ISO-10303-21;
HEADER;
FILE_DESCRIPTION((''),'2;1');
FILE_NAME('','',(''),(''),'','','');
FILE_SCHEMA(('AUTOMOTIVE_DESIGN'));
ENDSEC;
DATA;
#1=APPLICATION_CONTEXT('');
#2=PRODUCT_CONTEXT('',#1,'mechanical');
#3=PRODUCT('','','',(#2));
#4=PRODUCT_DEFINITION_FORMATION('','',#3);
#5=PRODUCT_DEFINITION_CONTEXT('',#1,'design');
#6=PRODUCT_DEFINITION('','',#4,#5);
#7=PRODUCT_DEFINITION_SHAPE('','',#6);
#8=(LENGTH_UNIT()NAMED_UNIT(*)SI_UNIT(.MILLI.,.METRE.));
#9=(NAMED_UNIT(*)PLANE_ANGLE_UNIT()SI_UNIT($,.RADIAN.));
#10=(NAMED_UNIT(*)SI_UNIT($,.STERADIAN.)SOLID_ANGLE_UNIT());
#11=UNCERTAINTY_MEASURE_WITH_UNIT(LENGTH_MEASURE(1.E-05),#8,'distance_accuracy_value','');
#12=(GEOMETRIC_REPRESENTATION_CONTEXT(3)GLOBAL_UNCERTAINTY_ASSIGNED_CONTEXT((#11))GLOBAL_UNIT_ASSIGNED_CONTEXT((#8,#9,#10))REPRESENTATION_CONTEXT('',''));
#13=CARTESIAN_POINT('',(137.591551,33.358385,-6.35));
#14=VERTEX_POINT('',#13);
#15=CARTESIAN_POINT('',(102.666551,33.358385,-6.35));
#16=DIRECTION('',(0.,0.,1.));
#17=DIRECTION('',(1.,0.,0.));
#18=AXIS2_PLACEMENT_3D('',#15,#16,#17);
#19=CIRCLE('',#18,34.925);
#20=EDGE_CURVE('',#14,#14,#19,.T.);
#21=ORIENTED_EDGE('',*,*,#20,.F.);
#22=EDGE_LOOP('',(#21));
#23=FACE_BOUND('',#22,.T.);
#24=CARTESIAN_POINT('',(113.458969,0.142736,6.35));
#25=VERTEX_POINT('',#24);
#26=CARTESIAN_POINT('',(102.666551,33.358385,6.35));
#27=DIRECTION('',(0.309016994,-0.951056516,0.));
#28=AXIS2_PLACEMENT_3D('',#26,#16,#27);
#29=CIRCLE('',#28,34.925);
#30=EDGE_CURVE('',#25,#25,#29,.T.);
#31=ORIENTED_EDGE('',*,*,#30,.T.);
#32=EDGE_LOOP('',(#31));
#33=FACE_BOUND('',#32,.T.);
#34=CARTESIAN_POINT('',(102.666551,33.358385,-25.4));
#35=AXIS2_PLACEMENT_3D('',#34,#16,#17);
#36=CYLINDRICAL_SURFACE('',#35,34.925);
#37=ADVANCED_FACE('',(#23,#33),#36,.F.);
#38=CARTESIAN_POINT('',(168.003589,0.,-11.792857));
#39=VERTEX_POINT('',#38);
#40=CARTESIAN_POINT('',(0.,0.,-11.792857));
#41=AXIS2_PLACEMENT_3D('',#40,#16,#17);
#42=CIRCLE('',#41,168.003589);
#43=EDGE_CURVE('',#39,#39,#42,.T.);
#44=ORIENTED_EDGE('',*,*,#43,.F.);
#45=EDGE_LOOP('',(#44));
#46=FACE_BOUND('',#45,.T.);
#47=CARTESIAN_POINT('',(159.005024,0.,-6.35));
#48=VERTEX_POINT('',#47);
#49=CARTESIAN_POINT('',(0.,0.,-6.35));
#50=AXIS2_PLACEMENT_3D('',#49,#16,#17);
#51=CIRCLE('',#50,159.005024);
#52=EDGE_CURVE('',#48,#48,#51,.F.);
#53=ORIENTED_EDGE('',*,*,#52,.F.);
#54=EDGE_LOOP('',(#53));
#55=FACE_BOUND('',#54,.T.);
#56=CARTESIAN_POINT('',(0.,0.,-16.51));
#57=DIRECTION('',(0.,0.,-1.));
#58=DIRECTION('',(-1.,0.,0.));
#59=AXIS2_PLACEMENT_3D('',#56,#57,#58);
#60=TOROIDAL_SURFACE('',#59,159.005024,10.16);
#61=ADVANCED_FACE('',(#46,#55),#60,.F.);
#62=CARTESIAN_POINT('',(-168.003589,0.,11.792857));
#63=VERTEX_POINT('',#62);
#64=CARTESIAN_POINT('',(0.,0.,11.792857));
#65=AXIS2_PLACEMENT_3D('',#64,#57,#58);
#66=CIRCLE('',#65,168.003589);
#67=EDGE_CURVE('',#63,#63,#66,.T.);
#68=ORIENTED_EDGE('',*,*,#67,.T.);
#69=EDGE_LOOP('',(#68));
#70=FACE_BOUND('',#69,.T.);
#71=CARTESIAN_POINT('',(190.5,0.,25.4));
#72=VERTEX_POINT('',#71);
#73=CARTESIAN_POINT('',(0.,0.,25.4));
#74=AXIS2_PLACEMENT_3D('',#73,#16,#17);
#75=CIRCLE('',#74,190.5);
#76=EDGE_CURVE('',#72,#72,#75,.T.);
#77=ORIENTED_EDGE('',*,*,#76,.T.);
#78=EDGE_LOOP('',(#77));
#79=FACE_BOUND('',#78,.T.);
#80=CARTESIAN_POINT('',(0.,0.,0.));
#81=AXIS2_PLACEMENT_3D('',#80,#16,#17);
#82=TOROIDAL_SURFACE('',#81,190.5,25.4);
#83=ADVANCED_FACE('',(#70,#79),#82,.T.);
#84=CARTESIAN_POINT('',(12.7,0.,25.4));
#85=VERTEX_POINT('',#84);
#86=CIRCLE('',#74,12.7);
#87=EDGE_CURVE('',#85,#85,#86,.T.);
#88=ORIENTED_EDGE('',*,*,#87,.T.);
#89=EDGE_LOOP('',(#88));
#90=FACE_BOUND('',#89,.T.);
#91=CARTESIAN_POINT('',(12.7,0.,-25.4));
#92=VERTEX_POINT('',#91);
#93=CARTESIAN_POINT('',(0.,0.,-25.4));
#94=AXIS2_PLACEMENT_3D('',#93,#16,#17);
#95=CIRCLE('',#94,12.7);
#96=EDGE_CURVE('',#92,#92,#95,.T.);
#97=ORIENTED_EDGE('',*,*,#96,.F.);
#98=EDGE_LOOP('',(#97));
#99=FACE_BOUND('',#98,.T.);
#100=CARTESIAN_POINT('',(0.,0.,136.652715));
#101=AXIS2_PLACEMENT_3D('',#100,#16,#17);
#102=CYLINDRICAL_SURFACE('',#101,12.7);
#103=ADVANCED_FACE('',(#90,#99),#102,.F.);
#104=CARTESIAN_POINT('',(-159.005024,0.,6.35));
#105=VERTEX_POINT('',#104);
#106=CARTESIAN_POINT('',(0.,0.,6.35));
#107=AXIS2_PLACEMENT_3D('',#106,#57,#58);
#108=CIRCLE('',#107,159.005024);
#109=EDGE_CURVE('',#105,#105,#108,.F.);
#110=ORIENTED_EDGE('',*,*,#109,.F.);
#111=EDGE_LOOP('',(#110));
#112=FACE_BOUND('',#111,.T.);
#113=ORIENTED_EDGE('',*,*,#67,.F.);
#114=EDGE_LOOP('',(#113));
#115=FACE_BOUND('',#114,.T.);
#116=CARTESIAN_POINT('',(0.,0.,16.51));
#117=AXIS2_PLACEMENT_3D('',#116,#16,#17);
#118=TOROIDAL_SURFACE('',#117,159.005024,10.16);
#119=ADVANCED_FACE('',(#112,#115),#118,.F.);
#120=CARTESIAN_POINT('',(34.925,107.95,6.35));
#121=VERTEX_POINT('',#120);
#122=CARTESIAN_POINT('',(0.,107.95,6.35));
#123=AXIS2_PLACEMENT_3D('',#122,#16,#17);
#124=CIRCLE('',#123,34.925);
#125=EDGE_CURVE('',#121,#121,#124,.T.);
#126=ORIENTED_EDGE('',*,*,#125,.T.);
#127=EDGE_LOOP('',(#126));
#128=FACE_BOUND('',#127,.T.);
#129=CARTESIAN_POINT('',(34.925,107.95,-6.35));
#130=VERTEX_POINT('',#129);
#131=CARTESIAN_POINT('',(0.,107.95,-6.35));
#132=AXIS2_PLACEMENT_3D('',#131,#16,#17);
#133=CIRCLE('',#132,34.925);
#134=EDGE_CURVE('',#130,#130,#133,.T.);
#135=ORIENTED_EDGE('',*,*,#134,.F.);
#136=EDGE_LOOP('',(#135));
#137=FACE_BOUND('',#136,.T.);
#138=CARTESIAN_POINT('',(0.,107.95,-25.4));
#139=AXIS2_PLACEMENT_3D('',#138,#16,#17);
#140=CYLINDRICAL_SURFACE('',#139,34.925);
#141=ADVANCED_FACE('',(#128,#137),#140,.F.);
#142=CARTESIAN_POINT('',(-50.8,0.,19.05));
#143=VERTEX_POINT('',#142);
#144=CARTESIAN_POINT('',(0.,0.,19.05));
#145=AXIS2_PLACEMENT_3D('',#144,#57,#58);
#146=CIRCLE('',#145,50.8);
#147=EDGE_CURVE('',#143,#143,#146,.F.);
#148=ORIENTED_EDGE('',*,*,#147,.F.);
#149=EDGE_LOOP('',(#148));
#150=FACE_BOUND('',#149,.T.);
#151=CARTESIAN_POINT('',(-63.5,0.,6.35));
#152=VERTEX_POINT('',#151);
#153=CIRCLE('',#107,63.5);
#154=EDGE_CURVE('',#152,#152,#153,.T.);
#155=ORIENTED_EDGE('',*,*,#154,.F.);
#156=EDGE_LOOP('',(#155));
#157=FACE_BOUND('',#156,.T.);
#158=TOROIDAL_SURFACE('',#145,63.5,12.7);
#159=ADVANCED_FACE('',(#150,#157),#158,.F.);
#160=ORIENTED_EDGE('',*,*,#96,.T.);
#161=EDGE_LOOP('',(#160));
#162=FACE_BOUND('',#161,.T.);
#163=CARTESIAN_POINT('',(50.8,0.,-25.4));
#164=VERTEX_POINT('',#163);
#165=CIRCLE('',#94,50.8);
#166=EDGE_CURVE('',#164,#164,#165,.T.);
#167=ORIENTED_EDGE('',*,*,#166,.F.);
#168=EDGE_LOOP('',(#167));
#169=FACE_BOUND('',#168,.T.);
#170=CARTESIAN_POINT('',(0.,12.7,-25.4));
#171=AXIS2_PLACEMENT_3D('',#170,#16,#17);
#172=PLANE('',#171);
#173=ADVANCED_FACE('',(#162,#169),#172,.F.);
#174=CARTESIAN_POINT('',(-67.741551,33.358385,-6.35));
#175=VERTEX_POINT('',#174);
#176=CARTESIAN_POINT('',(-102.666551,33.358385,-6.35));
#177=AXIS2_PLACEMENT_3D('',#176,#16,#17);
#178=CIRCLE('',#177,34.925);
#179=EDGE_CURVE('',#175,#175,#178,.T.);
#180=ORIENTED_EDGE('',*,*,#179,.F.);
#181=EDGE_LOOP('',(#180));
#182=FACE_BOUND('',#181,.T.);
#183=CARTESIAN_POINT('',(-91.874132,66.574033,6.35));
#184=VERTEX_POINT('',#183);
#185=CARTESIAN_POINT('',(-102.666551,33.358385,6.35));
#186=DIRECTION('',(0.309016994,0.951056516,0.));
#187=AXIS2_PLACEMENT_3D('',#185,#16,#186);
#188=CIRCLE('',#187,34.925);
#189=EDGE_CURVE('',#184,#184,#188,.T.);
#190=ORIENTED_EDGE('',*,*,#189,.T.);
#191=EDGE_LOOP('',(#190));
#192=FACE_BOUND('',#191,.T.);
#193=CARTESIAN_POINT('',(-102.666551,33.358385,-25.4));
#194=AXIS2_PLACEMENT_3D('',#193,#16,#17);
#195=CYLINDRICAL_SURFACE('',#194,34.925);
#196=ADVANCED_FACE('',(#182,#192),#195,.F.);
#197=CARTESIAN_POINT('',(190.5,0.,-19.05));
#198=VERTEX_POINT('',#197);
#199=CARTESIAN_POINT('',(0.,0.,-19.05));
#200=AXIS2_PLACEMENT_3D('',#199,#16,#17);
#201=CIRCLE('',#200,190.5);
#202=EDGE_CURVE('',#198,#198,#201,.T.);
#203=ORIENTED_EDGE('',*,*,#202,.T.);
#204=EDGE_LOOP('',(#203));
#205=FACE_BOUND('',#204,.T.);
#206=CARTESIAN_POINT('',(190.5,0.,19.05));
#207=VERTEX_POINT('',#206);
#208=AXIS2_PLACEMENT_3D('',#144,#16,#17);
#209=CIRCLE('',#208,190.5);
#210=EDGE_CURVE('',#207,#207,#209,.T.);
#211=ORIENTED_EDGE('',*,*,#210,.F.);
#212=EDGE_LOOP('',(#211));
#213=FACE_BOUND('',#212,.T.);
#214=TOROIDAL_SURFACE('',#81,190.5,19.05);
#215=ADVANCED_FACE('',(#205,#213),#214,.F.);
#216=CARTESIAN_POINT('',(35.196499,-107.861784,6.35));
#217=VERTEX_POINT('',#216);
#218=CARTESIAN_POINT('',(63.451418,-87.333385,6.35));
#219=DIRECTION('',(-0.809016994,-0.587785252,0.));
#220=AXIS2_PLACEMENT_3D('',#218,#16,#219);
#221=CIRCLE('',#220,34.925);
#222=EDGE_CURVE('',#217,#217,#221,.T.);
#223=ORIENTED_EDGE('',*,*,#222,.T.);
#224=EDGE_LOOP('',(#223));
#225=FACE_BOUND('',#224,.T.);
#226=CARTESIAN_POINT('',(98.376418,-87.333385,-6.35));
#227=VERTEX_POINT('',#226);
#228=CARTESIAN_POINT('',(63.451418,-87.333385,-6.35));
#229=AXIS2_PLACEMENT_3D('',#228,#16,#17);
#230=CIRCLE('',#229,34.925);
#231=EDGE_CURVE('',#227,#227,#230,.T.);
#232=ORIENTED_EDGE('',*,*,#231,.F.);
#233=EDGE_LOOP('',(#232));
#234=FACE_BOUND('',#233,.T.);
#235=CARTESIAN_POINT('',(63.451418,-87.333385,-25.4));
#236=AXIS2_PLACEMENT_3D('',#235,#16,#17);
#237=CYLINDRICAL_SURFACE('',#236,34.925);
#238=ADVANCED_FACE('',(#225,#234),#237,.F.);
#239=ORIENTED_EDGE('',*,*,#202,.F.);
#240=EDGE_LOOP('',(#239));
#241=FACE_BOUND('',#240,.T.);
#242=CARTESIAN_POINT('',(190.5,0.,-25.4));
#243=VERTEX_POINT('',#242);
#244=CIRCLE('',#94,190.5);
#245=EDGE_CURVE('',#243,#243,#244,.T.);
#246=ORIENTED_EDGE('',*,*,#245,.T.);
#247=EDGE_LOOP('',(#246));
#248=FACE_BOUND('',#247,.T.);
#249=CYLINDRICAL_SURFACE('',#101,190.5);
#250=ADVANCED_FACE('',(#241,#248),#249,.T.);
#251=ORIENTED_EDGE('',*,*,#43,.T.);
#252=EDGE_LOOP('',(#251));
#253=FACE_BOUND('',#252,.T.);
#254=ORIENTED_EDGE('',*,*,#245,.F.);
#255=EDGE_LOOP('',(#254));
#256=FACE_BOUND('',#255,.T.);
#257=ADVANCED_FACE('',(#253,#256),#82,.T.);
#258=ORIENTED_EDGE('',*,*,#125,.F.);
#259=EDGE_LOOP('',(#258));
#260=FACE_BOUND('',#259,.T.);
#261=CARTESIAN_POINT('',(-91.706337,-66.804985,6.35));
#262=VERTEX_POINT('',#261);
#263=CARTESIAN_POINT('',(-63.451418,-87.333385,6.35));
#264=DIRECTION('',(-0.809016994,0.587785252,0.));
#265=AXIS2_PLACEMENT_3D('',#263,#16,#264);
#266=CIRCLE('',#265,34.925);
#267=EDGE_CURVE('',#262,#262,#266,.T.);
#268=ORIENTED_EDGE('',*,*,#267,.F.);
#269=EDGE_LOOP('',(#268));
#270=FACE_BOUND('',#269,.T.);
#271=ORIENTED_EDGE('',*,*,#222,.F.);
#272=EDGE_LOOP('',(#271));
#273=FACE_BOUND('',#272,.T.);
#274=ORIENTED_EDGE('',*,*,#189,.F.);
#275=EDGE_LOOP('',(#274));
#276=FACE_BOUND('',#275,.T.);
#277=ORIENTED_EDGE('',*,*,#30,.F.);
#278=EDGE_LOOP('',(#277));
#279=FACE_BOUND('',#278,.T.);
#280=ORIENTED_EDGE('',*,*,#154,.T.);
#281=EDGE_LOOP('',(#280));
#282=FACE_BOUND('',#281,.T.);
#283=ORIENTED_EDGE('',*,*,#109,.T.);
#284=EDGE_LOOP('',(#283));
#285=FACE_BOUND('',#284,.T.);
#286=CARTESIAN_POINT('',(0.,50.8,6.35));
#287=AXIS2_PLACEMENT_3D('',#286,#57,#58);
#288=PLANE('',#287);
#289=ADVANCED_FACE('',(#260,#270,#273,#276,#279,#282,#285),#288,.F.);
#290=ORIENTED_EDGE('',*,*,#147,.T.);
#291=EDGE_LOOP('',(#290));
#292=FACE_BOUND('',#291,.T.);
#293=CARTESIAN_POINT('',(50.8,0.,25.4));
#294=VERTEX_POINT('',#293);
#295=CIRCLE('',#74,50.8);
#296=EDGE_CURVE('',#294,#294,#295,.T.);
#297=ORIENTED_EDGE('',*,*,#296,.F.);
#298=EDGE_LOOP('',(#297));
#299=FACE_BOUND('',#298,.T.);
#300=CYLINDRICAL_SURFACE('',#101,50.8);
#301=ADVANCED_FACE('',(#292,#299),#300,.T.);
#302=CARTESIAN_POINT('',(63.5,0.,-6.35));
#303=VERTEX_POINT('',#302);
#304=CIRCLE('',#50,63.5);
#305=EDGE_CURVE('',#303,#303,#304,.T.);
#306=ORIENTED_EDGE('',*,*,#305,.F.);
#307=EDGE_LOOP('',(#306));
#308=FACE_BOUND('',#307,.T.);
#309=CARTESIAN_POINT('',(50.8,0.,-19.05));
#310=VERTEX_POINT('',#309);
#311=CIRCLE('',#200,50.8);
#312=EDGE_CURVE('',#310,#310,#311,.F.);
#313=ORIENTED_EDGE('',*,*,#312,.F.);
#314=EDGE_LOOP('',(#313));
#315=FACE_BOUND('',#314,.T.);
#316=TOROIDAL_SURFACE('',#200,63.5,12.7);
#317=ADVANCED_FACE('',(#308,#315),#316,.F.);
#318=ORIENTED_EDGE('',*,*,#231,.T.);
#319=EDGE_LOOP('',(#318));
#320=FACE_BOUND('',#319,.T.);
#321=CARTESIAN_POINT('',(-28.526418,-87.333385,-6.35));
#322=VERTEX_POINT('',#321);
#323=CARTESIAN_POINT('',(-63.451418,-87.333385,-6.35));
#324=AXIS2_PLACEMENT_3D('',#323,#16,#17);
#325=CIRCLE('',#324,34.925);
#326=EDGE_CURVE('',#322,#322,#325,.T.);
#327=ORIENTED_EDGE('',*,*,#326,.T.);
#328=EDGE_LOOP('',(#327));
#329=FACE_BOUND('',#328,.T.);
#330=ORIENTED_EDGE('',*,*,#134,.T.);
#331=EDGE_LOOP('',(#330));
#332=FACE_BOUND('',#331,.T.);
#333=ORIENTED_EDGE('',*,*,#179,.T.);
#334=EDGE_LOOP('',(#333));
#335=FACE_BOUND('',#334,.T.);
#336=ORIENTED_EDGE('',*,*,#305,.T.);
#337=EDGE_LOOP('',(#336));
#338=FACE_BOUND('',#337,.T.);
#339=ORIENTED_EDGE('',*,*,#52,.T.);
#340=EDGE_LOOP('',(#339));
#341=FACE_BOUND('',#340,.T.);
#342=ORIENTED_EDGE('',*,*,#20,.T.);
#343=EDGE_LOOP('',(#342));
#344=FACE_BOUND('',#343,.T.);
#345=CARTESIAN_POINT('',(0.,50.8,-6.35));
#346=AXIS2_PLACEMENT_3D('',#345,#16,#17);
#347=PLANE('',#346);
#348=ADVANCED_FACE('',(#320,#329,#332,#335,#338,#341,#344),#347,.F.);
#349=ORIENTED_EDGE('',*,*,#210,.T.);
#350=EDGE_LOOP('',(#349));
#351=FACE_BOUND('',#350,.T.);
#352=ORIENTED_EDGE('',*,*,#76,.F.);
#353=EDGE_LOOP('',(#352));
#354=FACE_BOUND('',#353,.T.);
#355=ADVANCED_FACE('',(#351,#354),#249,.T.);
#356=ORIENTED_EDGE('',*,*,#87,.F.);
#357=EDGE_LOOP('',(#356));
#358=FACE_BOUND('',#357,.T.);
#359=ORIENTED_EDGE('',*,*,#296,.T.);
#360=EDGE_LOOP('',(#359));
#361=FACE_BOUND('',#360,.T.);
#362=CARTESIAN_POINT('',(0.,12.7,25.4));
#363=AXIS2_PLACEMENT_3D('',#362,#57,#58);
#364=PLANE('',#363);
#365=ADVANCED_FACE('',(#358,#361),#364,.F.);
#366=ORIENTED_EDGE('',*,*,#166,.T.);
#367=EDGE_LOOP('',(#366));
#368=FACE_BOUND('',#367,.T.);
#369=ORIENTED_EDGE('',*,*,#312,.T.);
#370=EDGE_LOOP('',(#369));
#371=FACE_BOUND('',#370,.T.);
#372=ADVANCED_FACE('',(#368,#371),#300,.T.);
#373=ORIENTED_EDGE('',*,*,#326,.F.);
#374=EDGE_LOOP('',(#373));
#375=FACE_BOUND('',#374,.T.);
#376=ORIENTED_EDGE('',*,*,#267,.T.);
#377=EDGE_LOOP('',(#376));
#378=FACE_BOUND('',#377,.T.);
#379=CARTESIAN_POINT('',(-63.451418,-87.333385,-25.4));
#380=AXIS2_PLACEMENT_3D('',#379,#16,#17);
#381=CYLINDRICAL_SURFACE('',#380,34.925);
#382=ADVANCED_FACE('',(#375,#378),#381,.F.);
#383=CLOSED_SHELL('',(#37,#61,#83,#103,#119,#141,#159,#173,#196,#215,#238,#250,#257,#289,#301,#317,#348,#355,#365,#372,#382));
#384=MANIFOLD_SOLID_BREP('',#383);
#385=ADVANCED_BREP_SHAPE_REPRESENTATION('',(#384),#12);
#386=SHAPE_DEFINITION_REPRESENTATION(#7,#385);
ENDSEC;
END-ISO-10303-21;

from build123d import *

# Parameters (mm, degrees)
SKETCH2_R          = 34.925
CUT_EXTRUDE1_DEPTH = 272.272118914
CIRPATTERN1_COUNT  = 5
FILLET1_R          = 10.16
FILLET2_R          = 12.7


with BuildPart() as part:
    # Sketch1 → Revolve1 (revolve)
    with BuildSketch(Plane(origin=(0, 0, 0), x_dir=(0, 0, -1), z_dir=(1, 0, 0)), mode=Mode.PRIVATE) as revolve1_sk:
        with BuildLine():
            Line((-19.05, 190.5), (-25.4, 190.5))
            ThreePointArc((-25.4, 190.5), (-20.080463142, 174.945740133), (-6.35, 165.906555752))
            Line((-6.35, 165.906555752), (-6.35, 50.8))
            Line((-6.35, 50.8), (-25.4, 50.8))
            Line((-25.4, 50.8), (-25.4, 12.7))
            Line((-25.4, 12.7), (25.4, 12.7))
            Line((25.4, 12.7), (25.4, 50.8))
            Line((25.4, 50.8), (6.35, 50.8))
            Line((6.35, 50.8), (6.35, 165.906555752))
            ThreePointArc((6.35, 165.906555752), (20.080463142, 174.945740133), (25.4, 190.5))
            Line((25.4, 190.5), (19.05, 190.5))
            ThreePointArc((19.05, 190.5), (0, 171.45), (-19.05, 190.5))
        make_face()
    revolve(revolve1_sk.sketch.rotate(Axis((0, 0, 136.652714826), (0, 0, -1)), 90), axis=Axis((0, 0, 136.652714826), (0, 0, -1)))

    # Sketch2 → Cut-Extrude1 (cut, through all)
    with BuildSketch(Plane.XY.offset(6.35)):
        with Locations((0, 107.95)):
            Circle(SKETCH2_R)
    cut_extrude1 = extrude(amount=-CUT_EXTRUDE1_DEPTH, mode=Mode.SUBTRACT)

    # CirPattern1: Cut-Extrude1 ×5 about axis
    cirpattern1_axis = Axis((0, 0, 0), (0, 0, 1))
    for i in range(1, CIRPATTERN1_COUNT):
        add(cut_extrude1.rotate(cirpattern1_axis, i * 360 / CIRPATTERN1_COUNT), mode=Mode.SUBTRACT)

    # Fillet1
    fillet1_edges = [part.edges().sort_by_distance(p)[0] for p in [
        (-165.906555752, 0, -6.35),
        (-165.906555752, 0, 6.35),
    ]]
    fillet(fillet1_edges, radius=FILLET1_R)

    # Fillet2
    fillet2_edges = [part.edges().sort_by_distance(p)[0] for p in [
        (-50.8, 0, -6.35),
        (-50.8, 0, 6.35),
    ]]
    fillet(fillet2_edges, radius=FILLET2_R)


solid = part.part
